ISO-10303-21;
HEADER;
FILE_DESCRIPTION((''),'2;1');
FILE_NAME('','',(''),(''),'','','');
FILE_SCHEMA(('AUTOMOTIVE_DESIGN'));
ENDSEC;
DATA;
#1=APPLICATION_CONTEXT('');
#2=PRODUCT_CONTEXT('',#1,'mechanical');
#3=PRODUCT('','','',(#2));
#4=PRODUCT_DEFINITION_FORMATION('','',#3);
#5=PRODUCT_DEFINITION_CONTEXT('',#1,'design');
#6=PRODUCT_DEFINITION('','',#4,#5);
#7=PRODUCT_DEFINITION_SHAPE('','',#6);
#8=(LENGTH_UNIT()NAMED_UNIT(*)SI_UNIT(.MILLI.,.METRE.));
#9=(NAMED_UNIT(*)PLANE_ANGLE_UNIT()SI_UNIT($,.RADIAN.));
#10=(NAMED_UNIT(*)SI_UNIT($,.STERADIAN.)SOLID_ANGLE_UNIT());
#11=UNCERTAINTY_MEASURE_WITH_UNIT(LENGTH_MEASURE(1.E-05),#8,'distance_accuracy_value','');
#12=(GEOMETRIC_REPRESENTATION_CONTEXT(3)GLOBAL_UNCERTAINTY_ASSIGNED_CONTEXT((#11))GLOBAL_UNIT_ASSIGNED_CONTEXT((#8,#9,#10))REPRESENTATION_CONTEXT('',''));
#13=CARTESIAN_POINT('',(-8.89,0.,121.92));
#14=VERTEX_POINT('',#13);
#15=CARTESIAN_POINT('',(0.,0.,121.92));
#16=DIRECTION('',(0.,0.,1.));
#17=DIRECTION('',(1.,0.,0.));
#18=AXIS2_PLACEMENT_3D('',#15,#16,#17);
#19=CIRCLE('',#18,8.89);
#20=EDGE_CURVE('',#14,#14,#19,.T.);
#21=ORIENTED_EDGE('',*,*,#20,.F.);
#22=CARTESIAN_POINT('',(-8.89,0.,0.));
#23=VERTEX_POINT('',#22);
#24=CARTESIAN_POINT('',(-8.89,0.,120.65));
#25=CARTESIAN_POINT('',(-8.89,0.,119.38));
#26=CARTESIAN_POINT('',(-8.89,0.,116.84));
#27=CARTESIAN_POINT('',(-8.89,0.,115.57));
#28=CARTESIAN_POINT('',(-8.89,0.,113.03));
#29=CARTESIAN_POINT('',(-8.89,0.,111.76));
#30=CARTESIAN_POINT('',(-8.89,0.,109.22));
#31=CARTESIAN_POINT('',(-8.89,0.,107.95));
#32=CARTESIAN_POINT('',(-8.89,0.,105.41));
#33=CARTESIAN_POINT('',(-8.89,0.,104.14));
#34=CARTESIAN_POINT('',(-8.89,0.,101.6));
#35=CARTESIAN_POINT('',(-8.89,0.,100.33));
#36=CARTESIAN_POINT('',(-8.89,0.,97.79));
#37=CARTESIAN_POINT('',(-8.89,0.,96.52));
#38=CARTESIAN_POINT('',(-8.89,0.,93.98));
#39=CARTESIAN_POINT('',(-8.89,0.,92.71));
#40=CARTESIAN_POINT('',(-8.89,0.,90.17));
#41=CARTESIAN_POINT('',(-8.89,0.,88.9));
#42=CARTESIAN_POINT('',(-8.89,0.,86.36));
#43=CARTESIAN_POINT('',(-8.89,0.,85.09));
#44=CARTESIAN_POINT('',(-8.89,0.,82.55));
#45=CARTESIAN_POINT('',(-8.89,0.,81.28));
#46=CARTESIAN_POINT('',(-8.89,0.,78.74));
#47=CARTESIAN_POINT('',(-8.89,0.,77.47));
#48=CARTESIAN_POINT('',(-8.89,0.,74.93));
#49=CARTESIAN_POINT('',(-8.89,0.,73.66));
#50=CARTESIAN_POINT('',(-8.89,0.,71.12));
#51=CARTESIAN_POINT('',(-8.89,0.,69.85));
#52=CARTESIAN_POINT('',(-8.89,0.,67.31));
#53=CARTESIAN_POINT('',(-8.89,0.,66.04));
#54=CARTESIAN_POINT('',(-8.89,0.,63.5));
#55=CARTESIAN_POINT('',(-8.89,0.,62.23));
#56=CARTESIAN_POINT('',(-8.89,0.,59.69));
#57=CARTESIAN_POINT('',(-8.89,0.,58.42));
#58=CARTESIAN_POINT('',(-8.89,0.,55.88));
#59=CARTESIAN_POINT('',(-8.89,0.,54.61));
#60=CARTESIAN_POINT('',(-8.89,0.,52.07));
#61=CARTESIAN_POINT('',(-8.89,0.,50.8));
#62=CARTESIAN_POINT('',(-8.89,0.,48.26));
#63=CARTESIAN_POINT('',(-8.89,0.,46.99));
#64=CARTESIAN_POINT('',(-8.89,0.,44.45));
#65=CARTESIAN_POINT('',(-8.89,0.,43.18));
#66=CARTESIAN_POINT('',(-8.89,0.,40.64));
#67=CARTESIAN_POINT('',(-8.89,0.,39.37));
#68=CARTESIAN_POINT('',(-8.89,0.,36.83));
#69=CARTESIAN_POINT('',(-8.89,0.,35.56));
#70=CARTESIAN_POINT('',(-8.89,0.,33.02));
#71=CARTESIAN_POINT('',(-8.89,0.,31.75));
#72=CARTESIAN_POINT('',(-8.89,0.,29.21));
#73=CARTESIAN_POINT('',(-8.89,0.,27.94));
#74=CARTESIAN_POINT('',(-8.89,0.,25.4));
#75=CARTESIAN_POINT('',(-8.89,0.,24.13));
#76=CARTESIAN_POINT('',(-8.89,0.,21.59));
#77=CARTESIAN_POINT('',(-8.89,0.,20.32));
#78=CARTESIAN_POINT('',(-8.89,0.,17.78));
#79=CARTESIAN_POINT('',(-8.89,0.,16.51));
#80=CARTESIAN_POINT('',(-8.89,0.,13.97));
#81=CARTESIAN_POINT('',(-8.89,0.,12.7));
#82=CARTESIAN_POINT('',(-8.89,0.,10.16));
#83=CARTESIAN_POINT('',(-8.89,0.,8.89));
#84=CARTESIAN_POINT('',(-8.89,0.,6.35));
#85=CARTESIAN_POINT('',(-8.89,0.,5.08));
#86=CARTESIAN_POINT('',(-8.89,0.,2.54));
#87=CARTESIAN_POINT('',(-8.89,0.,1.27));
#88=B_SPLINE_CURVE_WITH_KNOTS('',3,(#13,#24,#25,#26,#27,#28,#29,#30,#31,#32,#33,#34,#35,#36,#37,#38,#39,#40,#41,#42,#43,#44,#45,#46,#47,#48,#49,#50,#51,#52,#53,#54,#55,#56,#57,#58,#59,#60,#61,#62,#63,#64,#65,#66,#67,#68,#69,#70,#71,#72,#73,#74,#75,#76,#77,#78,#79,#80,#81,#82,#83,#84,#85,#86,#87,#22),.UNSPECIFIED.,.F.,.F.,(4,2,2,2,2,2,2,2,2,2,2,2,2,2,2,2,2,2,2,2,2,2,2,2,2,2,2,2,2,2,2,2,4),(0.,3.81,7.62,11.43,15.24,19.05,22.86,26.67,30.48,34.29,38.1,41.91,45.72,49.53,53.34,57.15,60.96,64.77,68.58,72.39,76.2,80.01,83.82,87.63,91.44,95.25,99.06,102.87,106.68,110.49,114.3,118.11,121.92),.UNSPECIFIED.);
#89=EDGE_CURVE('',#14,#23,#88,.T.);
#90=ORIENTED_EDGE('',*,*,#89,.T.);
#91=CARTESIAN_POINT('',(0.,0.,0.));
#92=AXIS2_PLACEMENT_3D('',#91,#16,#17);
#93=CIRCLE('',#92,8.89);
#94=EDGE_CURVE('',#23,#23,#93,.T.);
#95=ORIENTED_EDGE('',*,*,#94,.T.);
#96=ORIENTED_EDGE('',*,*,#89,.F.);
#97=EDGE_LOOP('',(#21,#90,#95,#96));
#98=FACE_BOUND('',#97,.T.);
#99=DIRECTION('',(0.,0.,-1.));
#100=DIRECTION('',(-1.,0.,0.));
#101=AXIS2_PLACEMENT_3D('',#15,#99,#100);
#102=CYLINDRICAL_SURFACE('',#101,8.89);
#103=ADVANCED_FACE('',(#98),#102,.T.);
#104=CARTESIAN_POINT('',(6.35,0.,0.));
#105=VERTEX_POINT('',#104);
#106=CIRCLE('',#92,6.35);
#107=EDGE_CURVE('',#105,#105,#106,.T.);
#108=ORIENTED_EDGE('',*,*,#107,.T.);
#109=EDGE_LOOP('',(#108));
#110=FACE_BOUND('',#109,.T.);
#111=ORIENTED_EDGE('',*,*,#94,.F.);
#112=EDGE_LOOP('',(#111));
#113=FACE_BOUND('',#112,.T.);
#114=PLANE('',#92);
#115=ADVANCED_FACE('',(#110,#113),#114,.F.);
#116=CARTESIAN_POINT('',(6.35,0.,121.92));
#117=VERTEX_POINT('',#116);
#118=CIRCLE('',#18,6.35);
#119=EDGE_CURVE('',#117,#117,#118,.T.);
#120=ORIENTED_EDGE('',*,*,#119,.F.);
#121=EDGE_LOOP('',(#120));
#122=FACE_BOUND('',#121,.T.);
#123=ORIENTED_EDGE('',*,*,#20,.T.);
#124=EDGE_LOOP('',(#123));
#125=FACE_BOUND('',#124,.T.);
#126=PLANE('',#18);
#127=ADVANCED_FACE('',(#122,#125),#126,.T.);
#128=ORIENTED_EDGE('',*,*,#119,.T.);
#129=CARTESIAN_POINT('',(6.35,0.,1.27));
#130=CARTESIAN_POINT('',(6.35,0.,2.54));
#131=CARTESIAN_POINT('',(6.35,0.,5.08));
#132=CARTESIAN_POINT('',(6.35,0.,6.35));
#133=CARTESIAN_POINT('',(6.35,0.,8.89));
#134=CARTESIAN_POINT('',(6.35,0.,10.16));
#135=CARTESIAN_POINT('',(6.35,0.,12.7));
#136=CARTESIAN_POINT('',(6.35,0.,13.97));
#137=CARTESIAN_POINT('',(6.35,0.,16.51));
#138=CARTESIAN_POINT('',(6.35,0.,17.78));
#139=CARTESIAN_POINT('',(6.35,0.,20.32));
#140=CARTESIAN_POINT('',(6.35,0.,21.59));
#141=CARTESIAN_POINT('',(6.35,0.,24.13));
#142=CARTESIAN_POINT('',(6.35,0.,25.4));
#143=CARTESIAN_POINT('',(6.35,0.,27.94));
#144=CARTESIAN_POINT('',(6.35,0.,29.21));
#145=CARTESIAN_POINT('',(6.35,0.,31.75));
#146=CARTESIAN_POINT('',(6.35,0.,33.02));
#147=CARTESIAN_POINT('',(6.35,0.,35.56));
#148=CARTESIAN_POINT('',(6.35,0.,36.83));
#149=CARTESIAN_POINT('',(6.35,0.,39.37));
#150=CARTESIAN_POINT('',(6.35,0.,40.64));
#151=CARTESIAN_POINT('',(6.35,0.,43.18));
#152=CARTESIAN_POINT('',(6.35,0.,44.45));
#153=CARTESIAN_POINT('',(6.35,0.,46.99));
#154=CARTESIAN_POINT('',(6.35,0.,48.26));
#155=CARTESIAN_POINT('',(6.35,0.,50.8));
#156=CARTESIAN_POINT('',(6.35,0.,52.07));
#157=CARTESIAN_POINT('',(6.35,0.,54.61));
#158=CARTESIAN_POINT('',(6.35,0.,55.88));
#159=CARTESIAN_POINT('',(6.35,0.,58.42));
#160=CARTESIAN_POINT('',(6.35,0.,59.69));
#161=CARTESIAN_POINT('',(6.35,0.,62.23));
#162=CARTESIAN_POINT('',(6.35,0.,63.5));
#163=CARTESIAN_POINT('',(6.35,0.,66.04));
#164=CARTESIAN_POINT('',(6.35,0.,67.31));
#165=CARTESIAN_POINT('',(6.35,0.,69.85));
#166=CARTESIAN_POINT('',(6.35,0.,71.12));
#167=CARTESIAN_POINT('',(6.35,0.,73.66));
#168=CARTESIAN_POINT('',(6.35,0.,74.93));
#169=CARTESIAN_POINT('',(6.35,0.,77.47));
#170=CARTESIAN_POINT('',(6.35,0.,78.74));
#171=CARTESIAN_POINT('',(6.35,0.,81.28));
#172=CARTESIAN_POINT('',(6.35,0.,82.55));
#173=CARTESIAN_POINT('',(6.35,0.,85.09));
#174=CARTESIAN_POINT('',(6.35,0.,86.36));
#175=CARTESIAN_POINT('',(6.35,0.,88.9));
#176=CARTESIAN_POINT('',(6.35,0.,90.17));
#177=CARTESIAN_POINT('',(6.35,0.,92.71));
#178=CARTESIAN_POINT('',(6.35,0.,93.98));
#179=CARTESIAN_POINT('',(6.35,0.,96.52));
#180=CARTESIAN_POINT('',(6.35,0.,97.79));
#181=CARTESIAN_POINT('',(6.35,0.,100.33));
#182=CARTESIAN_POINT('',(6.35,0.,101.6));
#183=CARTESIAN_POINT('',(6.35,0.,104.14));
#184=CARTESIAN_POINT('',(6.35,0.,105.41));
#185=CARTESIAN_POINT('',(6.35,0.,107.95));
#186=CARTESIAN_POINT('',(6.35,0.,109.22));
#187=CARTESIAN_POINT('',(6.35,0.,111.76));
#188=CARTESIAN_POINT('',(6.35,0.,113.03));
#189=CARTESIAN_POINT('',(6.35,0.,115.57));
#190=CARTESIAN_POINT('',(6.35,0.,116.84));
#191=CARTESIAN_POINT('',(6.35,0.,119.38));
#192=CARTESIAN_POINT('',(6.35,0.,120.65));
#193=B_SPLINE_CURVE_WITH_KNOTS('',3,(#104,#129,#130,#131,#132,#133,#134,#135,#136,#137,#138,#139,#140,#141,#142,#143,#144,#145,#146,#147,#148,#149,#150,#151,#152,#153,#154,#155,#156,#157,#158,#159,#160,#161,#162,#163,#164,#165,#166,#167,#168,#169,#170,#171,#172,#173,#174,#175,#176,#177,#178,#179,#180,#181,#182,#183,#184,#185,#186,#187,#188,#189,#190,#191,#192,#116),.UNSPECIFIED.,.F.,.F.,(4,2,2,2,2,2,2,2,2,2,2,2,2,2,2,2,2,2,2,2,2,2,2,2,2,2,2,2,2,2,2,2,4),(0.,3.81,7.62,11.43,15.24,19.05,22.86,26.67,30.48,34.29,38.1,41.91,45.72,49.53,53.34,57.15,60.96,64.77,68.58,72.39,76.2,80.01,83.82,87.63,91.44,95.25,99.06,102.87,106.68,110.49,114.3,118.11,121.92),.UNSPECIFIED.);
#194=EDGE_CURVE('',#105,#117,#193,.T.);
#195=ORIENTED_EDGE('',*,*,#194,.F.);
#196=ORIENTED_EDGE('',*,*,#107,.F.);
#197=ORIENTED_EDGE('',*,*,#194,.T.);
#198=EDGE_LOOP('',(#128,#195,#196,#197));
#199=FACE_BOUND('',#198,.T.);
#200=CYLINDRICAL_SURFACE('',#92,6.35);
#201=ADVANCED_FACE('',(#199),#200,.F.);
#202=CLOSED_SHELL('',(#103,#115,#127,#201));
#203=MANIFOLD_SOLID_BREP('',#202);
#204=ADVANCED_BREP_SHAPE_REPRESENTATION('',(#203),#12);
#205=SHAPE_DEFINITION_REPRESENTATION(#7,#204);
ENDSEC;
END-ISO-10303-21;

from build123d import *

# Parameters (mm, degrees)
SKETCH2_R           = 8.89
BOSS_EXTRUDE1_DEPTH = 121.92
SKETCH3_R           = 6.35
CUT_EXTRUDE1_DEPTH  = 123.566515003


with BuildPart() as part:
    # Sketch2 → Boss-Extrude1 (new body)
    with BuildSketch(Plane.XY):
        with Locations(Location((0, 0, 0), (0, 0, 180))):
            Circle(SKETCH2_R)
    extrude(amount=BOSS_EXTRUDE1_DEPTH)

    # Sketch3 → Cut-Extrude1 (cut, through all)
    with BuildSketch(Plane.XY.offset(121.92)):
        Circle(SKETCH3_R)
    extrude(amount=-CUT_EXTRUDE1_DEPTH, mode=Mode.SUBTRACT)


solid = part.part
